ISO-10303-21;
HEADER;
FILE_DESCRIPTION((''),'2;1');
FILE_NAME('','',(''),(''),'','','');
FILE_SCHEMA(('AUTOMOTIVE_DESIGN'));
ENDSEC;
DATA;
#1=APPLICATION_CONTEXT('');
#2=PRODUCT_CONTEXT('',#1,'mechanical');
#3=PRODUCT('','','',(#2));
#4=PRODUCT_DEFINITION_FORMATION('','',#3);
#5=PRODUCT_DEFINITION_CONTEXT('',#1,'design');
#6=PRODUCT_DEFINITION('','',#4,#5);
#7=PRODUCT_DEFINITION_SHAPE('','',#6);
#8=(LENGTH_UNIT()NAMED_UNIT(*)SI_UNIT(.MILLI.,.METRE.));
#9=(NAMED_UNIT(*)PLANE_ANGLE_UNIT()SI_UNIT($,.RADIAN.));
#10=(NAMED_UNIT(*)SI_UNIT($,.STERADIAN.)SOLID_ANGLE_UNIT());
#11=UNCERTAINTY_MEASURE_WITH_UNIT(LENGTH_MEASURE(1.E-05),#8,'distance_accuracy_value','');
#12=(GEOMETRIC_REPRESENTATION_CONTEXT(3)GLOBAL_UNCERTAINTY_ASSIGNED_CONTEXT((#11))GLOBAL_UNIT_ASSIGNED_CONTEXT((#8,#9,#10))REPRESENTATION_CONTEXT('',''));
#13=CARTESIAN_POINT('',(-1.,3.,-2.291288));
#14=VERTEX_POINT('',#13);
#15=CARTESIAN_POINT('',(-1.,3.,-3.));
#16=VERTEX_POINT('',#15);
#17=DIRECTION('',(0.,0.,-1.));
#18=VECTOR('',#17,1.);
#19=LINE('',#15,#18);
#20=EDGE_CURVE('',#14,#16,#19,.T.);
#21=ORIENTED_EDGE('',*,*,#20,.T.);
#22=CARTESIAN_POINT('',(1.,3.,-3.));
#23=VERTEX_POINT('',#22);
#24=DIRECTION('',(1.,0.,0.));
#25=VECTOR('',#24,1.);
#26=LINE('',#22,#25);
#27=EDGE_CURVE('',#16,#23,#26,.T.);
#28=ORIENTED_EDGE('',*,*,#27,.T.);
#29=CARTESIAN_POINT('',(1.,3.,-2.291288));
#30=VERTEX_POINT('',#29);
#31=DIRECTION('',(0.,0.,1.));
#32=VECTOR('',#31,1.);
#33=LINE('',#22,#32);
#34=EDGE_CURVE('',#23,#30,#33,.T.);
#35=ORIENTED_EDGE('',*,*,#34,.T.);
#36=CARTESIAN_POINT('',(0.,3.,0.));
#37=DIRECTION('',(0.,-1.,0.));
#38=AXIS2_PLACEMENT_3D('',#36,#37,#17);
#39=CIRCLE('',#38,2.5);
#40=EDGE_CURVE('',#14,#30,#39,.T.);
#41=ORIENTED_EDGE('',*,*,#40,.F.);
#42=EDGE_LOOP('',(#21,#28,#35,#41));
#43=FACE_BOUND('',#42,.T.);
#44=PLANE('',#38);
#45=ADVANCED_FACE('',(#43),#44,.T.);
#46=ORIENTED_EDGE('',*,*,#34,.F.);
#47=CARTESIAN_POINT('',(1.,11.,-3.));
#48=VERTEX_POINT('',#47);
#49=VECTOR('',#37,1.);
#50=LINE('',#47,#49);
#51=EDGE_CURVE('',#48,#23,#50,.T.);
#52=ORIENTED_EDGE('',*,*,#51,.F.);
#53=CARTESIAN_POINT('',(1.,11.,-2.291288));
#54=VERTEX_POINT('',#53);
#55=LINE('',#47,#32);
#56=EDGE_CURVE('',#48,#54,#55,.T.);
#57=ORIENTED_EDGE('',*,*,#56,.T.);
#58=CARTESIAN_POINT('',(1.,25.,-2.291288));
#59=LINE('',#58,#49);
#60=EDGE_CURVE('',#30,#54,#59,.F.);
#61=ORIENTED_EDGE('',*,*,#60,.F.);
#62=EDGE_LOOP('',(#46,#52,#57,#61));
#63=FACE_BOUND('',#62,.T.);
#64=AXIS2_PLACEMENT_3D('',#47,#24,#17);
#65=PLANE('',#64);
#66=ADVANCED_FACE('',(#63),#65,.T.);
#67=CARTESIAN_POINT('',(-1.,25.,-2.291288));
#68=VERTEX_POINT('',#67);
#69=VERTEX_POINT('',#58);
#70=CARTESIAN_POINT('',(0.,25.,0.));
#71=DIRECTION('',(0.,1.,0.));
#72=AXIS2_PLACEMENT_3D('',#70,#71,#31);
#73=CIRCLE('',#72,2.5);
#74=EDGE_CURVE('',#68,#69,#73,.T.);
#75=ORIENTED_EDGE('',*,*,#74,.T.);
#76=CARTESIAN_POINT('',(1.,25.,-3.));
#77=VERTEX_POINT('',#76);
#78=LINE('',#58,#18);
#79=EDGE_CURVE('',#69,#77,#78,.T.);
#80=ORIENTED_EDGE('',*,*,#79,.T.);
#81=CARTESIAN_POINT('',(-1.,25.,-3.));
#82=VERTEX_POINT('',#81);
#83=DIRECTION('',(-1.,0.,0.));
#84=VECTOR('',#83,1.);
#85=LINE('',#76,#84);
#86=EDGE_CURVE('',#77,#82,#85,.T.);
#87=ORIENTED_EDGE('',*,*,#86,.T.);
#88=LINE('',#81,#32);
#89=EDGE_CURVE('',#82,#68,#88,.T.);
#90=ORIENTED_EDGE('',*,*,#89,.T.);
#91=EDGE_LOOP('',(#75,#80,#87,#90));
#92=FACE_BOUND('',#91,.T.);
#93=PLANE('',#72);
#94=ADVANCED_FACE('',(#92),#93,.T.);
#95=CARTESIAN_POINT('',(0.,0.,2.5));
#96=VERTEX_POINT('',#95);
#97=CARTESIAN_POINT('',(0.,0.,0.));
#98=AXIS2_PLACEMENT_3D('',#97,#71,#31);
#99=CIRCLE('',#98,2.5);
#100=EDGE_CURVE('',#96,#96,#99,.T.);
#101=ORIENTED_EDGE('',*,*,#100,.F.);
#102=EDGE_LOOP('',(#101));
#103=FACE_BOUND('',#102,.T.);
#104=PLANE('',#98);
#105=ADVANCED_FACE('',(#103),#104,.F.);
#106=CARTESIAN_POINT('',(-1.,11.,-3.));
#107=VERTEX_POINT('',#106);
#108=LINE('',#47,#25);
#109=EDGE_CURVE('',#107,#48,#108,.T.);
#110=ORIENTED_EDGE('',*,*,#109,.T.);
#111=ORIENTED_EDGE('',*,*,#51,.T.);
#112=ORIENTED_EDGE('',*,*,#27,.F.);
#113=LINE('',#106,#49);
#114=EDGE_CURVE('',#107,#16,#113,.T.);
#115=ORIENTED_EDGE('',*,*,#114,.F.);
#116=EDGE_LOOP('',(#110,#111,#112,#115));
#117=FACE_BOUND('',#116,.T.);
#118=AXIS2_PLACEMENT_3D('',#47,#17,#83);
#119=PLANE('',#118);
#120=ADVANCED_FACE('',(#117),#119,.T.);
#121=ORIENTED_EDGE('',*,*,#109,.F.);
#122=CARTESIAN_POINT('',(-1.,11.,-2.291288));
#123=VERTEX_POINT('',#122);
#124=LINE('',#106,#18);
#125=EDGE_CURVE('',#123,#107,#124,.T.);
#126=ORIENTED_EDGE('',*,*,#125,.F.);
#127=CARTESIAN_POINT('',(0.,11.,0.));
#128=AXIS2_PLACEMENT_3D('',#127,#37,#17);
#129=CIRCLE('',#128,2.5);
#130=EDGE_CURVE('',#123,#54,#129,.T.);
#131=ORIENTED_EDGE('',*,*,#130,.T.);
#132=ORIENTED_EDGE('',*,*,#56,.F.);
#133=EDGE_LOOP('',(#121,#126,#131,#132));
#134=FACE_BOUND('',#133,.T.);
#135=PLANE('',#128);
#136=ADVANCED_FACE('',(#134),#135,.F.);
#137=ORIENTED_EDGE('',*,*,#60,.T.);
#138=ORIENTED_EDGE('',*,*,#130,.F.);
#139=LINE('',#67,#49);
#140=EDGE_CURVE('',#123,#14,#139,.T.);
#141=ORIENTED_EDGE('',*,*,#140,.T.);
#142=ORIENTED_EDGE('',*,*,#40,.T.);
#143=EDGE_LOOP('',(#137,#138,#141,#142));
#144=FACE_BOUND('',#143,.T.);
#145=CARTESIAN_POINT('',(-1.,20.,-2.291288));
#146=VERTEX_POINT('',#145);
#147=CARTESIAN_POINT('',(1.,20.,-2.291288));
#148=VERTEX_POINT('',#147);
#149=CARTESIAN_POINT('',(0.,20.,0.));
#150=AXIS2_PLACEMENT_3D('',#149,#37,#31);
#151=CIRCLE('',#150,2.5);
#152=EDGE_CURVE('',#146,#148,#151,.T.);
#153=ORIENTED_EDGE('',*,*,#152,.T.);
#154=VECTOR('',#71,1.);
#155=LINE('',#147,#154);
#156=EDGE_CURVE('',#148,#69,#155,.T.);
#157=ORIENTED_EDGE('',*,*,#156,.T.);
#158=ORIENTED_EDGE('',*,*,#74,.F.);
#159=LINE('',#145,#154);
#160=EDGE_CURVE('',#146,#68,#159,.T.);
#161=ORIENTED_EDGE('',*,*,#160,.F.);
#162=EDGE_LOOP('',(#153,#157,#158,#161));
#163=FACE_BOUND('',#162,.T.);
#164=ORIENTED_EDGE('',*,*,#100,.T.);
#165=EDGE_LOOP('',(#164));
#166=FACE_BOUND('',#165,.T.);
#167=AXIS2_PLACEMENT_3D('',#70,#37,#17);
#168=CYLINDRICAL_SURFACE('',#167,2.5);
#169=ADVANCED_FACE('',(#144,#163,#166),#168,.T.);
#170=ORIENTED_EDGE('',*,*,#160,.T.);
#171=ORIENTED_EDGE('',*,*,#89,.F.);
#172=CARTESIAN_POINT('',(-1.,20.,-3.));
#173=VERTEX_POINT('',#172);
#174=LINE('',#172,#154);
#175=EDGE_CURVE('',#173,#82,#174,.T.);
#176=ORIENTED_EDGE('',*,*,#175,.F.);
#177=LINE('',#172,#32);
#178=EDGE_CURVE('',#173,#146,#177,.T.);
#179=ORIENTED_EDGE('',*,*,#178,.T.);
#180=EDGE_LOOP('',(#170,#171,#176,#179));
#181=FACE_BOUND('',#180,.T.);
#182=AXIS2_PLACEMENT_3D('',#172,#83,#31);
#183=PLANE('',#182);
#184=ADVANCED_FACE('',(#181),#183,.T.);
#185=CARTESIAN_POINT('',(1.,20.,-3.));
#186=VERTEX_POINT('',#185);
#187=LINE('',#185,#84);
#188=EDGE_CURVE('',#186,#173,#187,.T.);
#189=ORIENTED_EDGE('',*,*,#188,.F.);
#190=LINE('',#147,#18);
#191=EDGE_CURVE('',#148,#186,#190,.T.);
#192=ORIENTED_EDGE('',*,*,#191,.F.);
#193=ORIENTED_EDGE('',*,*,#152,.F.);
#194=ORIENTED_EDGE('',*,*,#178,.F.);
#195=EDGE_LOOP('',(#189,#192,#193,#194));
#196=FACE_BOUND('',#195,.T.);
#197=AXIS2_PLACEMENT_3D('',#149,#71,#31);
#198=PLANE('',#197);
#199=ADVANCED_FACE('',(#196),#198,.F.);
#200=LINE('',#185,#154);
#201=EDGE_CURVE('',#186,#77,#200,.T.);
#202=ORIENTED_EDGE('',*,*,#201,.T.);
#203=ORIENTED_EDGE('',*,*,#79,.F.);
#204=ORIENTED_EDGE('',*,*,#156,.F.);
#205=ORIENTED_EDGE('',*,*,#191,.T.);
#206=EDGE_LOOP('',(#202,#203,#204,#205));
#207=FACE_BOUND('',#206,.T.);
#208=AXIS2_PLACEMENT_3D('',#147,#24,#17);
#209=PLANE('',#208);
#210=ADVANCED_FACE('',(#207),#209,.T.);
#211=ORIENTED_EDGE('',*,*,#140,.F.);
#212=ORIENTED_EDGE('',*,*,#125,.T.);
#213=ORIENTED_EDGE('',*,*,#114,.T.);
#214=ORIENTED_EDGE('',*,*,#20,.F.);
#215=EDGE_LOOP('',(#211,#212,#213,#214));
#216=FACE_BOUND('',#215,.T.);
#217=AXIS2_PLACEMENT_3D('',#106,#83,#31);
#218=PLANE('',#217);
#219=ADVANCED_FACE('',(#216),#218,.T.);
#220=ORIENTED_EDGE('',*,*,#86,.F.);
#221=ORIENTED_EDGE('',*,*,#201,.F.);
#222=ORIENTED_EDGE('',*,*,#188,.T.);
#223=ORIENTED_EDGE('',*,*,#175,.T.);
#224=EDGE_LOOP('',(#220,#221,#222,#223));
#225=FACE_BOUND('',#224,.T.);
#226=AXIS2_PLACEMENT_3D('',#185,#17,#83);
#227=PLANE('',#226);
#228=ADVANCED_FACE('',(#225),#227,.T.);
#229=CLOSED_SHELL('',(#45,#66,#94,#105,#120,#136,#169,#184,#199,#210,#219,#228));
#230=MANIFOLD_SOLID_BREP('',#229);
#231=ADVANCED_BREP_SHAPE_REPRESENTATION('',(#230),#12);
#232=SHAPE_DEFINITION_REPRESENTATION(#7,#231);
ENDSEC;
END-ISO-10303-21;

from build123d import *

# Parameters (mm, degrees)
SKETCH_1_R      = 2.5
EXTRUDE_1_DEPTH = 25
SKETCH_2_W      = 2
SKETCH_2_H      = 1
EXTRUDE_2_DEPTH = 8
EXTRUDE_START   = -5
EXTRUDE_3_DEPTH = 5


with BuildPart() as part:
    # 草图1 → 凸台-拉伸1 (new body)
    with BuildSketch(Plane(origin=(0, 0, 0), x_dir=(1, 0, 0), z_dir=(0, 1, 0))):
        with Locations(Location((0, 0, 0), (0, 0, 270))):
            Circle(SKETCH_1_R)
    extrude(amount=EXTRUDE_1_DEPTH)

    # 草图2 → 凸台-拉伸2 (add)
    with BuildSketch(Plane(origin=(0, 3, 0), x_dir=(-1, 0, 0), z_dir=(0, -1, 0))):
        with Locations((0, 2.5)):
            Rectangle(SKETCH_2_W, SKETCH_2_H)
    extrude(amount=-EXTRUDE_2_DEPTH)

    # 草图3 → 凸台-拉伸3 (add)
    with BuildSketch(Plane(origin=(0, 25, 0), x_dir=(1, 0, 0), z_dir=(0, 1, 0)).offset(EXTRUDE_START)):
        with BuildLine():
            Line((-1, 3), (-1, 2.291287847))
            ThreePointArc((-1, 2.291287847), (0, 2.5), (1, 2.291287847))
            Line((1, 2.291287847), (1, 3))
            Line((1, 3), (-1, 3))
        make_face()
    extrude(amount=EXTRUDE_3_DEPTH)


solid = part.part
